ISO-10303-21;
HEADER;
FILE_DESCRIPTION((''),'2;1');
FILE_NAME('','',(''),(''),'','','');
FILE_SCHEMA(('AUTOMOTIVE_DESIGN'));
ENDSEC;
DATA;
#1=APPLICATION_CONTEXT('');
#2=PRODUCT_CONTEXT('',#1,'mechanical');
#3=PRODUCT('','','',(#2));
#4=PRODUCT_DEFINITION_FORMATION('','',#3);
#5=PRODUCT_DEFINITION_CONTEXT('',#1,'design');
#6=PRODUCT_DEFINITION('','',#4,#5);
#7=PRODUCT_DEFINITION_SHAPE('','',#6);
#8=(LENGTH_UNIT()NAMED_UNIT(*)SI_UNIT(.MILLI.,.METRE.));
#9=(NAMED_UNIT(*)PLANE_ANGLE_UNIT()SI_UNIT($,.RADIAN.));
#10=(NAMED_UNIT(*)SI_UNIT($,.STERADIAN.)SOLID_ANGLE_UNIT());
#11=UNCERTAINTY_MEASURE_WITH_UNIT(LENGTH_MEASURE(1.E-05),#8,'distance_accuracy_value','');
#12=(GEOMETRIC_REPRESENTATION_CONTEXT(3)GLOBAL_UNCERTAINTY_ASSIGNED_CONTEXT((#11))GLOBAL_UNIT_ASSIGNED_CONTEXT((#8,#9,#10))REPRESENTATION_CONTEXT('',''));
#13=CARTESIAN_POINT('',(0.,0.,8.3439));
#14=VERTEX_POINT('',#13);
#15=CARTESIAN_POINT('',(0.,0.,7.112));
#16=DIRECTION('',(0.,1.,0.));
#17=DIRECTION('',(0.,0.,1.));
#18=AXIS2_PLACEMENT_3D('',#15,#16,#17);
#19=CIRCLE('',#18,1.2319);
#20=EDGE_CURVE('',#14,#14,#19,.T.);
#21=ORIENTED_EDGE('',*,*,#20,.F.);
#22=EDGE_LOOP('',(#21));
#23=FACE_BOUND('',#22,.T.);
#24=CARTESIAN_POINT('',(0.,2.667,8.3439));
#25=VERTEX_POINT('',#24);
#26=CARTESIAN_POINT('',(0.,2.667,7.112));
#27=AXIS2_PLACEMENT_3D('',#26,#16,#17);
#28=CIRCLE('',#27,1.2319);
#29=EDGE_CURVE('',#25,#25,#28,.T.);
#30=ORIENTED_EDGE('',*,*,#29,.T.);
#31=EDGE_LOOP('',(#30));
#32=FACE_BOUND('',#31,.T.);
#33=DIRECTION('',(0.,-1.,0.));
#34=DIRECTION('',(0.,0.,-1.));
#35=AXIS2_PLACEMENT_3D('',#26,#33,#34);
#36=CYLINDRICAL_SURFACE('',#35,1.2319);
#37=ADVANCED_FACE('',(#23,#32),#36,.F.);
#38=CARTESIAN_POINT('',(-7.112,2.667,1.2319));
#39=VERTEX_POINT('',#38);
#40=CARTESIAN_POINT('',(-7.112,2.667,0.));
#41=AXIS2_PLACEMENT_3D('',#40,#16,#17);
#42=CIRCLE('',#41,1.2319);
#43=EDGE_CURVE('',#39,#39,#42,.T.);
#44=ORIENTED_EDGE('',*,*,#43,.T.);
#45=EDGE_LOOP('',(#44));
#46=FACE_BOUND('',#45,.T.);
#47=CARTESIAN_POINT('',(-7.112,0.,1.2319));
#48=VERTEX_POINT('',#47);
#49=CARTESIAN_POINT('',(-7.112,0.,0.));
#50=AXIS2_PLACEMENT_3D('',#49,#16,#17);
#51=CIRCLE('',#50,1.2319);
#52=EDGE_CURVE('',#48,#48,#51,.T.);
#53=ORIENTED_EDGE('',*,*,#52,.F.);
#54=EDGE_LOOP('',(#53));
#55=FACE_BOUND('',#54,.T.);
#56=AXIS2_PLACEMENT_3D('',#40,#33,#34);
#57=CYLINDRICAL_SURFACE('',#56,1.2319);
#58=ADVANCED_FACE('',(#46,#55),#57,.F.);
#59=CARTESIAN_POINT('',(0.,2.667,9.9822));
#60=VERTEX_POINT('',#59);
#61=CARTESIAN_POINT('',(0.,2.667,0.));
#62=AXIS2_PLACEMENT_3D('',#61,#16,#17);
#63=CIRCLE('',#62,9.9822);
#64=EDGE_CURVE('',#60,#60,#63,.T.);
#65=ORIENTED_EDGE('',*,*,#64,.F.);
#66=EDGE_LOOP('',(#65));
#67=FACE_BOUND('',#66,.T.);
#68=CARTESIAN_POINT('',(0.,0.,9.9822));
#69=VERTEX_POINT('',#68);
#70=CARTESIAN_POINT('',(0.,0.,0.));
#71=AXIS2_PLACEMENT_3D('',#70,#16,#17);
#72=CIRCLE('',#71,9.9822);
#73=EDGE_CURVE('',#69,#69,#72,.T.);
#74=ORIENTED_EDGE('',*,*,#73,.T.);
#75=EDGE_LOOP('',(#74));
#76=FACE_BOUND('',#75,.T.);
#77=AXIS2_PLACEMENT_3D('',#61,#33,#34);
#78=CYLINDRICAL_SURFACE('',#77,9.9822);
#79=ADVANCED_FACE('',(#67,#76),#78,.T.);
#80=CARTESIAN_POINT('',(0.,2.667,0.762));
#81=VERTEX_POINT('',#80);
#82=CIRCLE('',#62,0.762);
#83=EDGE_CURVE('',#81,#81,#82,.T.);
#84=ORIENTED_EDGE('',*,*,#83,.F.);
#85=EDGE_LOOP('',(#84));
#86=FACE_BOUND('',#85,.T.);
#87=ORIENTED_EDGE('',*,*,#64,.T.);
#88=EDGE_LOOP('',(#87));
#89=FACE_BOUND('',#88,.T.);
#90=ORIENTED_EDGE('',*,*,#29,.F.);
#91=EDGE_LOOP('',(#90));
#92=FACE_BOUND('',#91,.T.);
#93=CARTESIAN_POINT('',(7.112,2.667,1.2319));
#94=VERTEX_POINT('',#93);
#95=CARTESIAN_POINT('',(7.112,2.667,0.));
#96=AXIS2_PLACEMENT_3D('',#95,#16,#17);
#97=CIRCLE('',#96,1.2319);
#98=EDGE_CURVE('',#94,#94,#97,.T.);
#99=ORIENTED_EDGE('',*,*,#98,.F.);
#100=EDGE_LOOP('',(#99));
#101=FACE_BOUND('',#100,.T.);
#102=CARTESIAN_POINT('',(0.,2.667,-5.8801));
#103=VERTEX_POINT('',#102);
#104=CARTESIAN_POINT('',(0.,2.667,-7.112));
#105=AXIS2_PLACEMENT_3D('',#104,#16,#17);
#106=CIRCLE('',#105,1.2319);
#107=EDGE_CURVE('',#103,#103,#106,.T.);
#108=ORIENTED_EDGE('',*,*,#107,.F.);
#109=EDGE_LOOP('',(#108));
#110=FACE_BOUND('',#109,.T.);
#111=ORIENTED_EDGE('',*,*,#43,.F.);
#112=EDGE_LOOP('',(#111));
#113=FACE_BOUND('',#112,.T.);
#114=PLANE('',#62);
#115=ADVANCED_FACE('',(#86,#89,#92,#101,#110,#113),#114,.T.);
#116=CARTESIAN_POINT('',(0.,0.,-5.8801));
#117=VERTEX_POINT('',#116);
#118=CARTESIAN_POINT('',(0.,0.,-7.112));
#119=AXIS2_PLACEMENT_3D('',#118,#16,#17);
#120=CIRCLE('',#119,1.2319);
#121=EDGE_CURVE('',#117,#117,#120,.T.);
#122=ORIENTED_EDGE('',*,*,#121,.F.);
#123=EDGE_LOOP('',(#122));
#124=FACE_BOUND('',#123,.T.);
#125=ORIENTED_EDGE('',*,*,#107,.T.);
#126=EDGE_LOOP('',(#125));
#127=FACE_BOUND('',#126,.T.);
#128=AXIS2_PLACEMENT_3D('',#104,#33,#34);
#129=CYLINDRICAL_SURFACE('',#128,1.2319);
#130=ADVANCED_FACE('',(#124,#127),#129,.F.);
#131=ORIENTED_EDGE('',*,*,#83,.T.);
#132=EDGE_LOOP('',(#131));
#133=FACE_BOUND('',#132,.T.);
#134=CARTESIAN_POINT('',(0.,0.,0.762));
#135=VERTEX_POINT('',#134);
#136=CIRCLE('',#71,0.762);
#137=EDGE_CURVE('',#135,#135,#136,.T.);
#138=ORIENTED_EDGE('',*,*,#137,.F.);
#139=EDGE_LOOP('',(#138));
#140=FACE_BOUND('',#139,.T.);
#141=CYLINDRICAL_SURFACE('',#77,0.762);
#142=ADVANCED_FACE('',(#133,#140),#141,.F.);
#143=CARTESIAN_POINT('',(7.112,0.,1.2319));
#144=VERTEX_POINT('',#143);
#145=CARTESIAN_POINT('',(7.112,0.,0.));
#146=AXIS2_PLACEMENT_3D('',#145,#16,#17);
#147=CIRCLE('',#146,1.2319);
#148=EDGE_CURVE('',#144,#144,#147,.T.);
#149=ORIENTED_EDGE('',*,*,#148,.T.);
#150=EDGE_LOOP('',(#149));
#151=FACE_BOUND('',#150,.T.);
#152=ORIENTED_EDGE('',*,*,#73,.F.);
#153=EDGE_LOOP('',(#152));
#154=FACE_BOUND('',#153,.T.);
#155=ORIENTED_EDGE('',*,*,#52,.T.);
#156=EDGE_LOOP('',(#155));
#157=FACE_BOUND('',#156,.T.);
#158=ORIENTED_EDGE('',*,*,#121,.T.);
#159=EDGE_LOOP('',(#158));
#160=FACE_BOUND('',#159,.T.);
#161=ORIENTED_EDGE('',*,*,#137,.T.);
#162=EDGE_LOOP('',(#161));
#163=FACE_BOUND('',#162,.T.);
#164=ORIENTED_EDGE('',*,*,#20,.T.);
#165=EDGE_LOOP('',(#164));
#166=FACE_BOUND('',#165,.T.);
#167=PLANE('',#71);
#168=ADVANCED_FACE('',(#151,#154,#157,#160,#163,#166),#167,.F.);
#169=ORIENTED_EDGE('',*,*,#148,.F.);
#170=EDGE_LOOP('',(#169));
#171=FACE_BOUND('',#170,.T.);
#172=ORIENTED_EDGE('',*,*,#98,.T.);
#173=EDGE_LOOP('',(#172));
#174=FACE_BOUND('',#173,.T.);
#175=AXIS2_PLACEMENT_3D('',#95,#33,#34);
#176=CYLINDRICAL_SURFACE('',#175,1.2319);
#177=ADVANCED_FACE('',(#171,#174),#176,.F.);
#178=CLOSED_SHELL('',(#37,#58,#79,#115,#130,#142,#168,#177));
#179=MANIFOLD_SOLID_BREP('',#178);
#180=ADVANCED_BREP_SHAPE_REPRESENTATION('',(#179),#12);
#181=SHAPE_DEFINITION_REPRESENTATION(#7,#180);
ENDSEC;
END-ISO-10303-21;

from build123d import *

# Parameters (mm, degrees)
SKETCH6_R           = 9.9822
SKETCH6_R_2         = 1.2319
SKETCH6_R_3         = 0.762
BOSS_EXTRUDE4_DEPTH = 2.667


with BuildPart() as part:
    # Sketch6 → Boss-Extrude4 (new body)
    with BuildSketch(Plane(origin=(0, 0, 0), x_dir=(1, 0, 0), z_dir=(0, 1, 0))):
        with Locations(Location((0, 0, 0), (0, 0, 270))):
            Circle(SKETCH6_R)
        with Locations(Location((-7.112, 0, 0), (0, 0, 270))):
            Circle(SKETCH6_R_2, mode=Mode.SUBTRACT)
        with Locations(Location((0, 7.112, 0), (0, 0, 270))):
            Circle(SKETCH6_R_2, mode=Mode.SUBTRACT)
        with Locations(Location((7.112, 0, 0), (0, 0, 270))):
            Circle(SKETCH6_R_2, mode=Mode.SUBTRACT)
        with Locations(Location((0, -7.112, 0), (0, 0, 270))):
            Circle(SKETCH6_R_2, mode=Mode.SUBTRACT)
        with Locations(Location((0, 0, 0), (0, 0, 270))):
            Circle(SKETCH6_R_3, mode=Mode.SUBTRACT)
    extrude(amount=BOSS_EXTRUDE4_DEPTH)


solid = part.part
